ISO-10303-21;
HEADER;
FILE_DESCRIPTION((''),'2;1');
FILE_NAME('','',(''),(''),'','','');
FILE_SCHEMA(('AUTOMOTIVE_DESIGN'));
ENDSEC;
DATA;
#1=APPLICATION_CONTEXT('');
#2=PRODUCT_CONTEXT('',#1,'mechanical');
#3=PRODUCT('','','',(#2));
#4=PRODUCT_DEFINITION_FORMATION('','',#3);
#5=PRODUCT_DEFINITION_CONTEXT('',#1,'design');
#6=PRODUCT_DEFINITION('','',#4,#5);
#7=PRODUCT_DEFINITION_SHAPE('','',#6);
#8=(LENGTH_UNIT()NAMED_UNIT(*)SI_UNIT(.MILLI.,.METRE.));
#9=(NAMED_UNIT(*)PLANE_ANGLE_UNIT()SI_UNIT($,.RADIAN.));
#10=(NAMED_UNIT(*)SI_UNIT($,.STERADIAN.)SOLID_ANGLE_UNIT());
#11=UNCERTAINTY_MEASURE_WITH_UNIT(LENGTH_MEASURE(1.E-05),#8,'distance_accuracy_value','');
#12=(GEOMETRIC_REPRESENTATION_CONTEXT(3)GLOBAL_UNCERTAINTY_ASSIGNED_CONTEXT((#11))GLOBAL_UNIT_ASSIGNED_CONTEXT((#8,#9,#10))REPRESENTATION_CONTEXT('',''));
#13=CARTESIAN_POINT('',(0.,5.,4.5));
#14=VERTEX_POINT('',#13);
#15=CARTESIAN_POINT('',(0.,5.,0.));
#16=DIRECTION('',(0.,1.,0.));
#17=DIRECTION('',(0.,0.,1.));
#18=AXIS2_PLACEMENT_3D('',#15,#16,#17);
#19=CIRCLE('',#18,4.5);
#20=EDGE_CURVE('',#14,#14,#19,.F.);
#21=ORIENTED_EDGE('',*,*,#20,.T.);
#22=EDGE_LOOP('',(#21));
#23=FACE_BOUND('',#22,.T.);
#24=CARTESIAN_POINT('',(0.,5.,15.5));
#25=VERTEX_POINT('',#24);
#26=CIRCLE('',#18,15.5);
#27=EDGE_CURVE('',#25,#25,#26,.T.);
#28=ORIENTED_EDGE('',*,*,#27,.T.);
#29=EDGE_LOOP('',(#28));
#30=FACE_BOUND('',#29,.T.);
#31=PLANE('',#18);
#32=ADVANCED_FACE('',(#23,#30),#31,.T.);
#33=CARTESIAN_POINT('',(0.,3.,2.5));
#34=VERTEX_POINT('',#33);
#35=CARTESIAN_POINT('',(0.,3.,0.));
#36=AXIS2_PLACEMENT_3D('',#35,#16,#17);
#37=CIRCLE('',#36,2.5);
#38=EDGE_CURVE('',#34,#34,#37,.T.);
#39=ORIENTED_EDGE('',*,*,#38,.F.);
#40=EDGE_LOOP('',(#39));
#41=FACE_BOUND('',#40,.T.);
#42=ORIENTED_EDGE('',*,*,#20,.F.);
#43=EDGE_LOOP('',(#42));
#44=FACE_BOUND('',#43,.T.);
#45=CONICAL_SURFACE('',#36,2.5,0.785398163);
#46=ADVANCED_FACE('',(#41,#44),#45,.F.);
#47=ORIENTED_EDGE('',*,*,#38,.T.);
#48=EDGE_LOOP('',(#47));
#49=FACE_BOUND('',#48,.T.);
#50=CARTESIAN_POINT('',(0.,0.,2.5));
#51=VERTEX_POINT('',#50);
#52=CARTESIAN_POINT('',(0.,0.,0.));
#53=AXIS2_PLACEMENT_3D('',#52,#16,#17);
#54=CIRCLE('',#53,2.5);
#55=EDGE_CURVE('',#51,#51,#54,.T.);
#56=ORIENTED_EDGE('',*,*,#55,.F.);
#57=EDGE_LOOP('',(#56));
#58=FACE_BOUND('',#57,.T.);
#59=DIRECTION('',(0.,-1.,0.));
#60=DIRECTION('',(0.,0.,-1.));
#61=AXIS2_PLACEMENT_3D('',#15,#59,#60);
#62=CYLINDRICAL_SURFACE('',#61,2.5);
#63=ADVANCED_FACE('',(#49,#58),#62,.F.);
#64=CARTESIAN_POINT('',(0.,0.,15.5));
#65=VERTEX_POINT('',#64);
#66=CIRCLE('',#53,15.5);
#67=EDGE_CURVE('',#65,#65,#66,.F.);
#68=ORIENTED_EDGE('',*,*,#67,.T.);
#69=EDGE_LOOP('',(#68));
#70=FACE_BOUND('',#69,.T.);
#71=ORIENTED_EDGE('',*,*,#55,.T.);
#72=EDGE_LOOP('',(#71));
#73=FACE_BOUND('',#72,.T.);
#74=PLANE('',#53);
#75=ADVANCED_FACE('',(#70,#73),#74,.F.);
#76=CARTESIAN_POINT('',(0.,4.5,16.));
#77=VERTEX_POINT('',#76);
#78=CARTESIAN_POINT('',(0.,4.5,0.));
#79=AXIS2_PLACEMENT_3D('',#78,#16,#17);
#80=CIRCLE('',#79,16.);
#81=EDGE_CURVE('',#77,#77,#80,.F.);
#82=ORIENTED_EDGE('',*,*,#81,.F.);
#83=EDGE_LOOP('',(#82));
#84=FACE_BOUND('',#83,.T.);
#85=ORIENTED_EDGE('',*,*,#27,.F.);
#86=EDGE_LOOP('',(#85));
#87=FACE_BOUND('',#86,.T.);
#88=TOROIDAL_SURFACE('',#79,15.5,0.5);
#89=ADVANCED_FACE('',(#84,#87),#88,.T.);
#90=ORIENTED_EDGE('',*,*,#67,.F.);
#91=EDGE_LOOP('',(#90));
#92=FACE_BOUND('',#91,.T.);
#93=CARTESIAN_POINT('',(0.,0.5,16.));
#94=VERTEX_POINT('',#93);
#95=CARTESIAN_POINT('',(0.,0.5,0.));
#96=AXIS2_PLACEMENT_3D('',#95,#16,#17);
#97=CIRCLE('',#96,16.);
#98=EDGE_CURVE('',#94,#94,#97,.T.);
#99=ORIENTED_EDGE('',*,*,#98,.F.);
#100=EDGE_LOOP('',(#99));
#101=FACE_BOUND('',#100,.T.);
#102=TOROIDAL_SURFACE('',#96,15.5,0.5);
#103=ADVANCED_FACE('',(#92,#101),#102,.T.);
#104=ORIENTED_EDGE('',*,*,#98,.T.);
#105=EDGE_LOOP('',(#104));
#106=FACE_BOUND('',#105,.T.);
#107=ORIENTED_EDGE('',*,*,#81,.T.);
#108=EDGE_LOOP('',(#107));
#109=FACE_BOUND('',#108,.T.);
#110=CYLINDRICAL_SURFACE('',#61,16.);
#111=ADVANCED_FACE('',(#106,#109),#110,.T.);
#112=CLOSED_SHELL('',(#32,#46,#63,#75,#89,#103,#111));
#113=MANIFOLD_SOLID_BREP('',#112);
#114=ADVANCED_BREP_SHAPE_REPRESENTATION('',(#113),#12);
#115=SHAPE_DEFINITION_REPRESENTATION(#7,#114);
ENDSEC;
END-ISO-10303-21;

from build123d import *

# Parameters (mm, degrees)
SKETCH1_R           = 16
SKETCH1_R_2         = 2.5
BOSS_EXTRUDE1_DEPTH = 5
CHAMFER1_SIZE       = 2
FILLET1_R           = 0.5


with BuildPart() as part:
    # Sketch1 → Boss-Extrude1 (new body)
    with BuildSketch(Plane(origin=(0, 0, 0), x_dir=(1, 0, 0), z_dir=(0, 1, 0))):
        Circle(SKETCH1_R)
        Circle(SKETCH1_R_2, mode=Mode.SUBTRACT)
    extrude(amount=BOSS_EXTRUDE1_DEPTH)

    # Chamfer1
    chamfer1_edges = [part.edges().sort_by_distance(p)[0] for p in [
        (-2.5, 5, 0),
    ]]
    chamfer(chamfer1_edges, length=CHAMFER1_SIZE)

    # Fillet1
    fillet1_edges = [part.edges().sort_by_distance(p)[0] for p in [
        (-16, 0, 0),
        (-16, 5, 0),
    ]]
    fillet(fillet1_edges, radius=FILLET1_R)


solid = part.part
